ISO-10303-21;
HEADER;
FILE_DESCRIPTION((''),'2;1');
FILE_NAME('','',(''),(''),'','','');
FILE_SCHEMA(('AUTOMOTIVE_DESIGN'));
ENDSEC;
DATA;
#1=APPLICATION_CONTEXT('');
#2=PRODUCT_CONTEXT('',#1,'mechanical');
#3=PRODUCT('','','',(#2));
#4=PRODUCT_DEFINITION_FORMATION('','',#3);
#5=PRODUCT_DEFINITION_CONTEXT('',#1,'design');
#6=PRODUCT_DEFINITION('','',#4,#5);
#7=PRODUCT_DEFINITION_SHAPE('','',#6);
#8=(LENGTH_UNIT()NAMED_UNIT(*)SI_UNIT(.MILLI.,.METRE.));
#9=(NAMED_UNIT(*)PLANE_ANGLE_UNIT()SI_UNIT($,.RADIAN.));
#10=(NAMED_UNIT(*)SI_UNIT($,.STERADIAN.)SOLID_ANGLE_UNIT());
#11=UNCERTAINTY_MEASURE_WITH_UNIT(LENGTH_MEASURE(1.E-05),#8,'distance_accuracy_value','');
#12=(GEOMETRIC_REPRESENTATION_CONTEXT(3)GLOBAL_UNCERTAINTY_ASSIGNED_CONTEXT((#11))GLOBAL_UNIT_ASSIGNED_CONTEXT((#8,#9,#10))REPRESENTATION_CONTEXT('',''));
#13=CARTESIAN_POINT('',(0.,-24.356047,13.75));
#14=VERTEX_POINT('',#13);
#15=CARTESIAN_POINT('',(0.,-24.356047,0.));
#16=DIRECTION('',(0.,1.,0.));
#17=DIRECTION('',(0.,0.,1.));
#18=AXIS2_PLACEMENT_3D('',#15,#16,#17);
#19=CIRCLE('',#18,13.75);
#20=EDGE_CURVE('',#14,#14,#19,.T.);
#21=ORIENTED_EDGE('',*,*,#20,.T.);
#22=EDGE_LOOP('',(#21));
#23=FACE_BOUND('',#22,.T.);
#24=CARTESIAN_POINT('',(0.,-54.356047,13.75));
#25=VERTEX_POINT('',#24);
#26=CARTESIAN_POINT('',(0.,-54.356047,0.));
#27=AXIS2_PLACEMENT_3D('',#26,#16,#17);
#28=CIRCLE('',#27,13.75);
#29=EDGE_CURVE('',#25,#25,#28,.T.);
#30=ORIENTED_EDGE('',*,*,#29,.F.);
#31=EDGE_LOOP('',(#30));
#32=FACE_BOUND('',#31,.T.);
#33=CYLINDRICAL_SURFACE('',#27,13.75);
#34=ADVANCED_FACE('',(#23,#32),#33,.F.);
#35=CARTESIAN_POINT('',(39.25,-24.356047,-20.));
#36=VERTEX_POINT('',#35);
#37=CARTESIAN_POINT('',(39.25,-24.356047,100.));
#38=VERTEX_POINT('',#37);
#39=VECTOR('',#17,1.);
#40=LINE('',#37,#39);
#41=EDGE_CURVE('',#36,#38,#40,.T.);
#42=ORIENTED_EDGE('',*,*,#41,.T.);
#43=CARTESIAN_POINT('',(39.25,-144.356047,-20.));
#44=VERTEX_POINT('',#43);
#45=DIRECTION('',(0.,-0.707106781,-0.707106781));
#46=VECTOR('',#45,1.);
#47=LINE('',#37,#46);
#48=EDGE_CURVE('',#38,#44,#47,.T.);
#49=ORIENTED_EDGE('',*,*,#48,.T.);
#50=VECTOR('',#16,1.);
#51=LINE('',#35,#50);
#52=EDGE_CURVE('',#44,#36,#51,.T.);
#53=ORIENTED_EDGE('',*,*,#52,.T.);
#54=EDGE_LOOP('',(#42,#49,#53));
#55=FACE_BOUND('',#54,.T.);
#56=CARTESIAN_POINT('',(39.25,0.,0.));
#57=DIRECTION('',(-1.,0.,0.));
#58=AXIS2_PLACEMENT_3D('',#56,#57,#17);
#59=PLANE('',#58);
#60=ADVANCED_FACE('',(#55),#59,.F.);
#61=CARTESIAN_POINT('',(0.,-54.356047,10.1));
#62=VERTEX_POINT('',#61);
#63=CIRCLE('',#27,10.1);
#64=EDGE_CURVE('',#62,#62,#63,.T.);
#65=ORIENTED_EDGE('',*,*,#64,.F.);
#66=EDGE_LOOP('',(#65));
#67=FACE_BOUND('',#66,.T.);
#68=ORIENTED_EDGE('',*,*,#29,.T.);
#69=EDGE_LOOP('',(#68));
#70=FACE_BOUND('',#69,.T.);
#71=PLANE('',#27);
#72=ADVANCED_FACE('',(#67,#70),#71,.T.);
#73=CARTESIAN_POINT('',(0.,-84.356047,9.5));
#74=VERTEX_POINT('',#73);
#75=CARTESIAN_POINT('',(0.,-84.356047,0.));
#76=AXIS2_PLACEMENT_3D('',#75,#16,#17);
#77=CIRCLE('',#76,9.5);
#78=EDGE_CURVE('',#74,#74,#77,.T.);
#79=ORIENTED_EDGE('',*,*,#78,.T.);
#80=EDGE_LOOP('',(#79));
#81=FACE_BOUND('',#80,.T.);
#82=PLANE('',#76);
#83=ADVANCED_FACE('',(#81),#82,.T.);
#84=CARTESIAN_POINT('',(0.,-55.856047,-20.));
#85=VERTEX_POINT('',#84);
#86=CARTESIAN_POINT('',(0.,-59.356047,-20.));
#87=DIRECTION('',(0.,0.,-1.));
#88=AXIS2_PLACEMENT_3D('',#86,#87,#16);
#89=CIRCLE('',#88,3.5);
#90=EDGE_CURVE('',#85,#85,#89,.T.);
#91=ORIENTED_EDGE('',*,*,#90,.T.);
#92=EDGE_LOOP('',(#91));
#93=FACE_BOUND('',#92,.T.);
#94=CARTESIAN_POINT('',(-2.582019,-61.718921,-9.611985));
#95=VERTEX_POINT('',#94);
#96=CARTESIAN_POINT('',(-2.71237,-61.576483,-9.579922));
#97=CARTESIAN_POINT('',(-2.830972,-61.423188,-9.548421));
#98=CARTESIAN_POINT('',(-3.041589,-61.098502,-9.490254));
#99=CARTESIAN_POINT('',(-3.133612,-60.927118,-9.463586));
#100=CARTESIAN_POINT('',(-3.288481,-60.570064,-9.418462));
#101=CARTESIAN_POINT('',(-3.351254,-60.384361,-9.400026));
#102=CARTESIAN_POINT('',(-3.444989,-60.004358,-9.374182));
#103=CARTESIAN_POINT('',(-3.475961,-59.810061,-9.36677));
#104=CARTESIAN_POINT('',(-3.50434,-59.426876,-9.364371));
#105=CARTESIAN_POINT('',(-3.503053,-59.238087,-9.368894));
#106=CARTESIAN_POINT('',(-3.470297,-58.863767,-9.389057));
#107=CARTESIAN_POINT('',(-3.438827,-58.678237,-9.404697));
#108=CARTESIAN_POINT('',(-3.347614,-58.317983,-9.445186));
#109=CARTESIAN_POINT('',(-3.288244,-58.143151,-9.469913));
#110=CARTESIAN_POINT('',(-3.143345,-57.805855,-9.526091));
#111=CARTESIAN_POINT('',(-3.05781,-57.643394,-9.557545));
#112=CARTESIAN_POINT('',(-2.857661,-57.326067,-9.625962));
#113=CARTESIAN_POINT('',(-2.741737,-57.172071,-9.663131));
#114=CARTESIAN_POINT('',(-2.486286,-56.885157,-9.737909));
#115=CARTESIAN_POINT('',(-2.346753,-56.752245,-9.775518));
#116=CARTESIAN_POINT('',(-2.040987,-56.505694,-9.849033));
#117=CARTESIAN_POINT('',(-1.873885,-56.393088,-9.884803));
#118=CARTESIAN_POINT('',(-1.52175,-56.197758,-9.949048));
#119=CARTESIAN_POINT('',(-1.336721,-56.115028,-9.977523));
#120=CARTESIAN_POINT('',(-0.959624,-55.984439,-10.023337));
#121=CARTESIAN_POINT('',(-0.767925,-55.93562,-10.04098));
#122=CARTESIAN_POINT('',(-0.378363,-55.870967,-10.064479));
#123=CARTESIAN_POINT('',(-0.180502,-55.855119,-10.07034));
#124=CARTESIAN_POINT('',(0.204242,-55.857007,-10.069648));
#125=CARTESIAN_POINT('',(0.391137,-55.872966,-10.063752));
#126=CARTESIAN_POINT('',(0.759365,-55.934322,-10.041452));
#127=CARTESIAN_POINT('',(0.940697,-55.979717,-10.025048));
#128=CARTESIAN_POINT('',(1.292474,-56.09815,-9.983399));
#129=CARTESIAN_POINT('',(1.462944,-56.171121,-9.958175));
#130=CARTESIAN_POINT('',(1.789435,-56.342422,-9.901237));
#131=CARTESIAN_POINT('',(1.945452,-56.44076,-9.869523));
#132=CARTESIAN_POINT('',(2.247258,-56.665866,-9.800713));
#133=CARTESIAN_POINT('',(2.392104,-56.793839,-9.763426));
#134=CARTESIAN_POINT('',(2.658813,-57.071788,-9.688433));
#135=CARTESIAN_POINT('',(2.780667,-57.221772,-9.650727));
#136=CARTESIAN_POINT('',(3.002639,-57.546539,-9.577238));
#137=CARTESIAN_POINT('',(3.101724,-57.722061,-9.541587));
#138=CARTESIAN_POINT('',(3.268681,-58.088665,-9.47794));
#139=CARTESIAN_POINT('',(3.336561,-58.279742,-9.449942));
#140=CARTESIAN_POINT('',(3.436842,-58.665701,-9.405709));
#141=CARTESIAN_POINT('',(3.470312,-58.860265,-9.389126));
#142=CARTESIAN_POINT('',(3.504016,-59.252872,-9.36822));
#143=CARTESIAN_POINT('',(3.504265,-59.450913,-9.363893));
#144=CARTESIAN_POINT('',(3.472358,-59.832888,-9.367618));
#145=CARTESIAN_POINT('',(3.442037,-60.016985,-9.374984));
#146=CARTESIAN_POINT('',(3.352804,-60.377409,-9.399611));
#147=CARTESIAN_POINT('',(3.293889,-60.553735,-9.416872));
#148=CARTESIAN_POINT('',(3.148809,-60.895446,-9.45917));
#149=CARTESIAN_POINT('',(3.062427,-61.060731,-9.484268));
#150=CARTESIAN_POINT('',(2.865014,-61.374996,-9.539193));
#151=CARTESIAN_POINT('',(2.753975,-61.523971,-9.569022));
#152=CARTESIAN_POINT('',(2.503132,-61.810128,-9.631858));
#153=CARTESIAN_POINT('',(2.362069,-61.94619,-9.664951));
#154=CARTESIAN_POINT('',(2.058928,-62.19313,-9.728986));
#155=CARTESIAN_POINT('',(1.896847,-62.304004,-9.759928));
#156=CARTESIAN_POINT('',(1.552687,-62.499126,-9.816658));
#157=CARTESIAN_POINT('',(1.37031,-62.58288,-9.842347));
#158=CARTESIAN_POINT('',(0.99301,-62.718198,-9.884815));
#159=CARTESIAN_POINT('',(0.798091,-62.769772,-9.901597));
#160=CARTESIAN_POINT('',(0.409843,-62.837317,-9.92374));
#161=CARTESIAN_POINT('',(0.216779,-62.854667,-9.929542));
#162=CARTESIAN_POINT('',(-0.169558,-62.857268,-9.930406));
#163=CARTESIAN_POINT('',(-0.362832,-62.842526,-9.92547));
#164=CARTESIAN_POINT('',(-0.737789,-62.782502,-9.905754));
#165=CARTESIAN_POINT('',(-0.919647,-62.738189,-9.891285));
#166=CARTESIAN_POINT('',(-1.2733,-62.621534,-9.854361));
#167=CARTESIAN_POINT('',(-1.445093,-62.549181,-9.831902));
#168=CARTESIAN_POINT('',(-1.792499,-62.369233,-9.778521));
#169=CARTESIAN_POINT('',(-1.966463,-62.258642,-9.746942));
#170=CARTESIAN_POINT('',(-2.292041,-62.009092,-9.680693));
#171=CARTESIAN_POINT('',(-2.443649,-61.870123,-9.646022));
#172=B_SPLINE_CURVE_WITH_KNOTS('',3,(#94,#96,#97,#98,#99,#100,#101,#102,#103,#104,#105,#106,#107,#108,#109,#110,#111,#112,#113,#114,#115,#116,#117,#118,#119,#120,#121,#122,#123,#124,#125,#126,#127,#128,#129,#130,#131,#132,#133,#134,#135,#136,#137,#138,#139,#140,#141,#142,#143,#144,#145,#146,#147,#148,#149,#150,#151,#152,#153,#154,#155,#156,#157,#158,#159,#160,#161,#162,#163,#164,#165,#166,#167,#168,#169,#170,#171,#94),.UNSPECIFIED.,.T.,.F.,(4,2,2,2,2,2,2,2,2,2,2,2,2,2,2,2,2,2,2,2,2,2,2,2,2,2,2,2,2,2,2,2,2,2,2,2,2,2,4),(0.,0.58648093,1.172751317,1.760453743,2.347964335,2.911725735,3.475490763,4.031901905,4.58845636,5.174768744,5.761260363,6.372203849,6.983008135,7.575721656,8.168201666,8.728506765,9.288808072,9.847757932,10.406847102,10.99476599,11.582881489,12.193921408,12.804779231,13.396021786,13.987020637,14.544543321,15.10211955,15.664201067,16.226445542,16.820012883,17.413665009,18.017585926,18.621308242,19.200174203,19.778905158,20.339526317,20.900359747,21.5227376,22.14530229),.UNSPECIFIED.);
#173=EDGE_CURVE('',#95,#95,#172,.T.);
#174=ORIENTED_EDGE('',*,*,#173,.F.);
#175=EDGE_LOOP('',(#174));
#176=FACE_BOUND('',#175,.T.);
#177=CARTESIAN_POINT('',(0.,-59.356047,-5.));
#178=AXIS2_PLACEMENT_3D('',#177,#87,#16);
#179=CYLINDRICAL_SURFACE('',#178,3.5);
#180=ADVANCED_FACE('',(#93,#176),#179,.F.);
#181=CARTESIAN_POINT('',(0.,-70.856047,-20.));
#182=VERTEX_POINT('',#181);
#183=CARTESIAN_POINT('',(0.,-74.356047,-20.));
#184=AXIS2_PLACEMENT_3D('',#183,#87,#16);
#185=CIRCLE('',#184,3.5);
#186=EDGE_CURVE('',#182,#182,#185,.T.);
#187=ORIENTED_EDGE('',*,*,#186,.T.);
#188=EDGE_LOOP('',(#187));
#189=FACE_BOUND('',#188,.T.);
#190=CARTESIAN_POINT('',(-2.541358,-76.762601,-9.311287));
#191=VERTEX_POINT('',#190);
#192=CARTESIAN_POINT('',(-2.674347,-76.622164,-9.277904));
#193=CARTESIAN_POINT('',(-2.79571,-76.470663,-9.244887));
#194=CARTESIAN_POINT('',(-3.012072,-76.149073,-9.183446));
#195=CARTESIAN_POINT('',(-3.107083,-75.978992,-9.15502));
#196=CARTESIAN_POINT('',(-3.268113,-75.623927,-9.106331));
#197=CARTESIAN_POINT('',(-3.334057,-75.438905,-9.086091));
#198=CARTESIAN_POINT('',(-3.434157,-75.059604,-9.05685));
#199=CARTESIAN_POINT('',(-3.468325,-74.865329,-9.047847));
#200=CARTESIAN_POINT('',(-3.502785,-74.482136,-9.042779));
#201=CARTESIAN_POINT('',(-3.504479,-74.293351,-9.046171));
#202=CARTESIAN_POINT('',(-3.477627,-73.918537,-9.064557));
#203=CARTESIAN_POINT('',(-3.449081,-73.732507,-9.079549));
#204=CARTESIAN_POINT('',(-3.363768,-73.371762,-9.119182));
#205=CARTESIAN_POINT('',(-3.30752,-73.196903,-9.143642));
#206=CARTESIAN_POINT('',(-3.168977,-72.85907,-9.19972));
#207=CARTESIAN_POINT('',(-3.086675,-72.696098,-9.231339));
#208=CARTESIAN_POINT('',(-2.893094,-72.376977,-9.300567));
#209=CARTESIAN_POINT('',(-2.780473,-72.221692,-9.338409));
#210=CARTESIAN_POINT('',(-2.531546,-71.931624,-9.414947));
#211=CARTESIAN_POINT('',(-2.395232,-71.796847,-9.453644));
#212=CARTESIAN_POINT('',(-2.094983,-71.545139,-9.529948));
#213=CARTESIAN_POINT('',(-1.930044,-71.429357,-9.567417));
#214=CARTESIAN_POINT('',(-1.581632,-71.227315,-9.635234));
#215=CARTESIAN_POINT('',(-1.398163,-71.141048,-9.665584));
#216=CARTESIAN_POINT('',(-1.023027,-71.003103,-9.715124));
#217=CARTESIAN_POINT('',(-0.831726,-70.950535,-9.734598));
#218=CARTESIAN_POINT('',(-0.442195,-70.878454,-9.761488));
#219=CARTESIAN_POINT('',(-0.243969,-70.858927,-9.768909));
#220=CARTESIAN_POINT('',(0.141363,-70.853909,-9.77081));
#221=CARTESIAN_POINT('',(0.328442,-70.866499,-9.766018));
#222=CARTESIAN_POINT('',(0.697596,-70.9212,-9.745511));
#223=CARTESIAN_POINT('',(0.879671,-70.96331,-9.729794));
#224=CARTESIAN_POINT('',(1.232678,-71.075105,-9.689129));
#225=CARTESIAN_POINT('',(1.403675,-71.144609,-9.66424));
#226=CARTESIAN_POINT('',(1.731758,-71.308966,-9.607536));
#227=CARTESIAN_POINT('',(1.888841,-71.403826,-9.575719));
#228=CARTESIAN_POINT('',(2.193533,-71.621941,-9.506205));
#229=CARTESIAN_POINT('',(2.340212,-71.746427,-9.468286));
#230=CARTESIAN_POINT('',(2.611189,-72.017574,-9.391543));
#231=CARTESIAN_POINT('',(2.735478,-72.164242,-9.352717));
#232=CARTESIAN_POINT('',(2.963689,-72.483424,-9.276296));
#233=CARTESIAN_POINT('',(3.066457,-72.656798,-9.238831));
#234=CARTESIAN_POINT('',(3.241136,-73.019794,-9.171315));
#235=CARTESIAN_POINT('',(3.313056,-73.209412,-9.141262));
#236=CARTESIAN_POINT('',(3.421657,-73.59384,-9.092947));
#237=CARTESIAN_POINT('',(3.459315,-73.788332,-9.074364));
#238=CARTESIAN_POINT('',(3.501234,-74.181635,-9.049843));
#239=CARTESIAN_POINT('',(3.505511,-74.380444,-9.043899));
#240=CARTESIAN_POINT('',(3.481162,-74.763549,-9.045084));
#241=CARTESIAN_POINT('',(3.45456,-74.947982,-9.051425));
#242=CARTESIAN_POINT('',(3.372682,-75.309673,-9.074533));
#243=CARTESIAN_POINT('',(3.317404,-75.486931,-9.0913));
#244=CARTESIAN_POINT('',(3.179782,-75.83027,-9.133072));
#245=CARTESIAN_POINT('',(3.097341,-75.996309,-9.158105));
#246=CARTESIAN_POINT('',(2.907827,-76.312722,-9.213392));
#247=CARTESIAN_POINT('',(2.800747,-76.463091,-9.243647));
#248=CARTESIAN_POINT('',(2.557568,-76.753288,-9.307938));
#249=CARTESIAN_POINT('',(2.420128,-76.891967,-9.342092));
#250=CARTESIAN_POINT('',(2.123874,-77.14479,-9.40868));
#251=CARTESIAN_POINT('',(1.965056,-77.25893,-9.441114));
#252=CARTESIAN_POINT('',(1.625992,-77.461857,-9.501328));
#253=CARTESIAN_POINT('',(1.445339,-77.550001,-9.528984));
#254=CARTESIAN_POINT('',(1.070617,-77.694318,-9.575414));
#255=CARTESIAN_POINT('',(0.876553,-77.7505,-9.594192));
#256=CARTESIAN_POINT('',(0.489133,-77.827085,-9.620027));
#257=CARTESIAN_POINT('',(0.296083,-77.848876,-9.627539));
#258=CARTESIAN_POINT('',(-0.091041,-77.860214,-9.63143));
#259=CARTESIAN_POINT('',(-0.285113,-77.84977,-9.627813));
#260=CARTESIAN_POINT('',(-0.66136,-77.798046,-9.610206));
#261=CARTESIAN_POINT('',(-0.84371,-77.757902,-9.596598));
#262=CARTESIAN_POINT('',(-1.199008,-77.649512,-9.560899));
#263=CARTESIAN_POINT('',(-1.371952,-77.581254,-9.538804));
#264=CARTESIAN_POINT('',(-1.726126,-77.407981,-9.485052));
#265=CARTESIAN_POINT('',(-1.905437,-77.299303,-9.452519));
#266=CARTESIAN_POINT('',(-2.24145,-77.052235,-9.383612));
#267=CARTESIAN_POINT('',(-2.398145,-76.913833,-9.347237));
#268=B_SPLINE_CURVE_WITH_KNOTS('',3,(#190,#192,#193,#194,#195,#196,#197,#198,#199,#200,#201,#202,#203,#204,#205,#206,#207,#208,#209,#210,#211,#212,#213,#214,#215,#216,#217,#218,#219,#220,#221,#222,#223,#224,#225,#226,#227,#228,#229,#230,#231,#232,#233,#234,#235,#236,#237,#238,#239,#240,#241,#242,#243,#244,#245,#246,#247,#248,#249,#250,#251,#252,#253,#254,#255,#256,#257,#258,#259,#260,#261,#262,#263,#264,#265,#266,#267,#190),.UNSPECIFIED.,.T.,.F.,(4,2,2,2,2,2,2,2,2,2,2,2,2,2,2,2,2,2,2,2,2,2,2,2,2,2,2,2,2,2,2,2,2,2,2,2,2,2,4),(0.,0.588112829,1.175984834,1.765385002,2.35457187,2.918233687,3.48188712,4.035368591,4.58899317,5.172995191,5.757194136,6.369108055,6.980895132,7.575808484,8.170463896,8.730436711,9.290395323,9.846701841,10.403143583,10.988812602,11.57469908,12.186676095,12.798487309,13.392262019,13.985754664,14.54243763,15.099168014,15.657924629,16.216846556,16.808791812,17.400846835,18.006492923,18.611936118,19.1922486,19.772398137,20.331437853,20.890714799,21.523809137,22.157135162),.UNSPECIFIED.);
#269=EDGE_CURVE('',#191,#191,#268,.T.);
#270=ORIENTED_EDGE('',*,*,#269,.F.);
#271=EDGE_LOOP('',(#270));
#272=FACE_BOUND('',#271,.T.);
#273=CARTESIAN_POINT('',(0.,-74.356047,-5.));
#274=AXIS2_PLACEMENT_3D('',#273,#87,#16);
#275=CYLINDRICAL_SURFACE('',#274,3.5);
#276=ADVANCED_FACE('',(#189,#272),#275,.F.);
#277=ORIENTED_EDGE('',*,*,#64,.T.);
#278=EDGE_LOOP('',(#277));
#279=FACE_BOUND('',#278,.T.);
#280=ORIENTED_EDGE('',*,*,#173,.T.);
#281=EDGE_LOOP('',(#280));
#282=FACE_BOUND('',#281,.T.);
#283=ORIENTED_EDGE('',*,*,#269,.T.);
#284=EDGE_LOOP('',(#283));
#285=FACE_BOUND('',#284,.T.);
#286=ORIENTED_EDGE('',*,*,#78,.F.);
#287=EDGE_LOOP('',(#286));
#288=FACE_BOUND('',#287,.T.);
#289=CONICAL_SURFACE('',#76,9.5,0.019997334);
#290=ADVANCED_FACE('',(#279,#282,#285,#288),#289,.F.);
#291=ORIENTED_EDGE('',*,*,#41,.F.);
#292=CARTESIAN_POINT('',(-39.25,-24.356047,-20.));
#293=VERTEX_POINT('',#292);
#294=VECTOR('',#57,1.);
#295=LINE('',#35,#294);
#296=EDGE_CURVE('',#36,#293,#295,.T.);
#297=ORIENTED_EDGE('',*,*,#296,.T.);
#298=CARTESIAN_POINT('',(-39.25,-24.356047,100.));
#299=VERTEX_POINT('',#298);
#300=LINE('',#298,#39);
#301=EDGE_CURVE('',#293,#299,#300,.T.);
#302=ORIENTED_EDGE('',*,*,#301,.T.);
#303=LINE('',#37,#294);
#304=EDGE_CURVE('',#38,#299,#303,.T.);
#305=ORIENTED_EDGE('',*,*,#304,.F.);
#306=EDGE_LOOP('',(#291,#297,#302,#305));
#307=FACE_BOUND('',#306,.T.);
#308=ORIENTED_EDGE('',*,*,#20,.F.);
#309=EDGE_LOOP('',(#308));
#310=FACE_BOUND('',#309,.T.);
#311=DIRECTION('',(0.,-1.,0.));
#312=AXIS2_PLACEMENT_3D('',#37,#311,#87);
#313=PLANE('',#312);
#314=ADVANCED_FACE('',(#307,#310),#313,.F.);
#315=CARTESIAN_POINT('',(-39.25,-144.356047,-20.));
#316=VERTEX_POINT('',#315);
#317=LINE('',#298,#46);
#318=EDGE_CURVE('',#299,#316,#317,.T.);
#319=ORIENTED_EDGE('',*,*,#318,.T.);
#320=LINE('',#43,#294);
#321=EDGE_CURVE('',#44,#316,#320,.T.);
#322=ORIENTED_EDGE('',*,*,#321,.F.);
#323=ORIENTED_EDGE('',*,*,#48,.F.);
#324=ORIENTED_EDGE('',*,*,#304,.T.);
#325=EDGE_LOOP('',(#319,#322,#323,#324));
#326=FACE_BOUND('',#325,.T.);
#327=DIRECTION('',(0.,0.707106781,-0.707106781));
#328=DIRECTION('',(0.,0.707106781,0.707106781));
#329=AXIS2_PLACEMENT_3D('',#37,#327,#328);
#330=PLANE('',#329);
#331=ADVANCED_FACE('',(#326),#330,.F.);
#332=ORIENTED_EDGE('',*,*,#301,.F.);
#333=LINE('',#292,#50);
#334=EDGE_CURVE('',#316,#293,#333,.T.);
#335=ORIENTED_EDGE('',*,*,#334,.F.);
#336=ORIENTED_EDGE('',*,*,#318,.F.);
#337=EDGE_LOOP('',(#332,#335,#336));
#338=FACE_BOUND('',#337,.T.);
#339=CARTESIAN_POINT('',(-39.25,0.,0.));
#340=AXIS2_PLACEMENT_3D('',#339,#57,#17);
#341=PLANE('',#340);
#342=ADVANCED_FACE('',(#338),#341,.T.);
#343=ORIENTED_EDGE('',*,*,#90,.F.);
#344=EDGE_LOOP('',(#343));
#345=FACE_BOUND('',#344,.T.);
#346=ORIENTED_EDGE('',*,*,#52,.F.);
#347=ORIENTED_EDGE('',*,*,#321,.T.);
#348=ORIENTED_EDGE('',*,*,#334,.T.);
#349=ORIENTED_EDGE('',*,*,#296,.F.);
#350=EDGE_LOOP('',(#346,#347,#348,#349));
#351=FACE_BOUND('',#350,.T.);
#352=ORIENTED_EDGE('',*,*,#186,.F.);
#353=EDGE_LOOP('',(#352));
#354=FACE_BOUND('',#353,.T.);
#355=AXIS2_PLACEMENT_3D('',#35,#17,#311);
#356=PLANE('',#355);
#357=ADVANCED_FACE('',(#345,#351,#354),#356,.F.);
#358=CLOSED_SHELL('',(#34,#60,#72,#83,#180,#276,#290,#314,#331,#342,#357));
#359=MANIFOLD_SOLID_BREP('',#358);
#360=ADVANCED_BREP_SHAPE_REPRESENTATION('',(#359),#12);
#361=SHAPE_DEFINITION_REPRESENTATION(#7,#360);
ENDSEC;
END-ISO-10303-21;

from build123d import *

# Parameters (mm, degrees)
BOSS_EXTRUDE1_DEPTH = 39.25
SKETCH4_R           = 13.75
CUT_EXTRUDE1_DEPTH  = 30
SKETCH7_R           = 9.5
SKETCH6_R           = 10.1
SKETCH5_R           = 3.5
CUT_EXTRUDE2_DEPTH  = 15


with BuildPart() as part:
    # Sketch2 → Boss-Extrude1 (new, symmetric)
    with BuildSketch(Plane(origin=(0, 0, 0), x_dir=(0, 0, -1), z_dir=(1, 0, 0))):
        Polygon((-100, -24.35604681), (20, -144.35604681), (20, -24.35604681), align=None)
    extrude(amount=BOSS_EXTRUDE1_DEPTH, both=True)

    # Sketch4 → Cut-Extrude1 (cut)
    with BuildSketch(Plane(origin=(0, -24.35604681, 0), x_dir=(1, 0, 0), z_dir=(0, 1, 0))):
        with Locations(Location((0, 0, 0), (0, 0, 270))):
            Circle(SKETCH4_R)
    extrude(amount=-CUT_EXTRUDE1_DEPTH, mode=Mode.SUBTRACT)

    # Sketch7 → Cut-Loft1 section 0
    with BuildSketch(Plane(origin=(0, -84.35604681, 0), x_dir=(1, 0, 0), z_dir=(0, 1, 0))):
        Circle(SKETCH7_R)
    # Sketch6 → Cut-Loft1 section 1
    with BuildSketch(Plane(origin=(0, -54.35604681, 0), x_dir=(1, 0, 0), z_dir=(0, 1, 0))):
        Circle(SKETCH6_R)
    loft(mode=Mode.SUBTRACT)

    # Sketch5 → Cut-Extrude2 (cut)
    with BuildSketch(Plane(origin=(0, 0, -20), x_dir=(-1, 0, 0), z_dir=(0, 0, -1))):
        with Locations(Location((0, -59.35604681, 0), (0, 0, 90))):
            Circle(SKETCH5_R)
        with Locations(Location((0, -74.35604681, 0), (0, 0, 90))):
            Circle(SKETCH5_R)
    extrude(amount=-CUT_EXTRUDE2_DEPTH, mode=Mode.SUBTRACT)


solid = part.part
